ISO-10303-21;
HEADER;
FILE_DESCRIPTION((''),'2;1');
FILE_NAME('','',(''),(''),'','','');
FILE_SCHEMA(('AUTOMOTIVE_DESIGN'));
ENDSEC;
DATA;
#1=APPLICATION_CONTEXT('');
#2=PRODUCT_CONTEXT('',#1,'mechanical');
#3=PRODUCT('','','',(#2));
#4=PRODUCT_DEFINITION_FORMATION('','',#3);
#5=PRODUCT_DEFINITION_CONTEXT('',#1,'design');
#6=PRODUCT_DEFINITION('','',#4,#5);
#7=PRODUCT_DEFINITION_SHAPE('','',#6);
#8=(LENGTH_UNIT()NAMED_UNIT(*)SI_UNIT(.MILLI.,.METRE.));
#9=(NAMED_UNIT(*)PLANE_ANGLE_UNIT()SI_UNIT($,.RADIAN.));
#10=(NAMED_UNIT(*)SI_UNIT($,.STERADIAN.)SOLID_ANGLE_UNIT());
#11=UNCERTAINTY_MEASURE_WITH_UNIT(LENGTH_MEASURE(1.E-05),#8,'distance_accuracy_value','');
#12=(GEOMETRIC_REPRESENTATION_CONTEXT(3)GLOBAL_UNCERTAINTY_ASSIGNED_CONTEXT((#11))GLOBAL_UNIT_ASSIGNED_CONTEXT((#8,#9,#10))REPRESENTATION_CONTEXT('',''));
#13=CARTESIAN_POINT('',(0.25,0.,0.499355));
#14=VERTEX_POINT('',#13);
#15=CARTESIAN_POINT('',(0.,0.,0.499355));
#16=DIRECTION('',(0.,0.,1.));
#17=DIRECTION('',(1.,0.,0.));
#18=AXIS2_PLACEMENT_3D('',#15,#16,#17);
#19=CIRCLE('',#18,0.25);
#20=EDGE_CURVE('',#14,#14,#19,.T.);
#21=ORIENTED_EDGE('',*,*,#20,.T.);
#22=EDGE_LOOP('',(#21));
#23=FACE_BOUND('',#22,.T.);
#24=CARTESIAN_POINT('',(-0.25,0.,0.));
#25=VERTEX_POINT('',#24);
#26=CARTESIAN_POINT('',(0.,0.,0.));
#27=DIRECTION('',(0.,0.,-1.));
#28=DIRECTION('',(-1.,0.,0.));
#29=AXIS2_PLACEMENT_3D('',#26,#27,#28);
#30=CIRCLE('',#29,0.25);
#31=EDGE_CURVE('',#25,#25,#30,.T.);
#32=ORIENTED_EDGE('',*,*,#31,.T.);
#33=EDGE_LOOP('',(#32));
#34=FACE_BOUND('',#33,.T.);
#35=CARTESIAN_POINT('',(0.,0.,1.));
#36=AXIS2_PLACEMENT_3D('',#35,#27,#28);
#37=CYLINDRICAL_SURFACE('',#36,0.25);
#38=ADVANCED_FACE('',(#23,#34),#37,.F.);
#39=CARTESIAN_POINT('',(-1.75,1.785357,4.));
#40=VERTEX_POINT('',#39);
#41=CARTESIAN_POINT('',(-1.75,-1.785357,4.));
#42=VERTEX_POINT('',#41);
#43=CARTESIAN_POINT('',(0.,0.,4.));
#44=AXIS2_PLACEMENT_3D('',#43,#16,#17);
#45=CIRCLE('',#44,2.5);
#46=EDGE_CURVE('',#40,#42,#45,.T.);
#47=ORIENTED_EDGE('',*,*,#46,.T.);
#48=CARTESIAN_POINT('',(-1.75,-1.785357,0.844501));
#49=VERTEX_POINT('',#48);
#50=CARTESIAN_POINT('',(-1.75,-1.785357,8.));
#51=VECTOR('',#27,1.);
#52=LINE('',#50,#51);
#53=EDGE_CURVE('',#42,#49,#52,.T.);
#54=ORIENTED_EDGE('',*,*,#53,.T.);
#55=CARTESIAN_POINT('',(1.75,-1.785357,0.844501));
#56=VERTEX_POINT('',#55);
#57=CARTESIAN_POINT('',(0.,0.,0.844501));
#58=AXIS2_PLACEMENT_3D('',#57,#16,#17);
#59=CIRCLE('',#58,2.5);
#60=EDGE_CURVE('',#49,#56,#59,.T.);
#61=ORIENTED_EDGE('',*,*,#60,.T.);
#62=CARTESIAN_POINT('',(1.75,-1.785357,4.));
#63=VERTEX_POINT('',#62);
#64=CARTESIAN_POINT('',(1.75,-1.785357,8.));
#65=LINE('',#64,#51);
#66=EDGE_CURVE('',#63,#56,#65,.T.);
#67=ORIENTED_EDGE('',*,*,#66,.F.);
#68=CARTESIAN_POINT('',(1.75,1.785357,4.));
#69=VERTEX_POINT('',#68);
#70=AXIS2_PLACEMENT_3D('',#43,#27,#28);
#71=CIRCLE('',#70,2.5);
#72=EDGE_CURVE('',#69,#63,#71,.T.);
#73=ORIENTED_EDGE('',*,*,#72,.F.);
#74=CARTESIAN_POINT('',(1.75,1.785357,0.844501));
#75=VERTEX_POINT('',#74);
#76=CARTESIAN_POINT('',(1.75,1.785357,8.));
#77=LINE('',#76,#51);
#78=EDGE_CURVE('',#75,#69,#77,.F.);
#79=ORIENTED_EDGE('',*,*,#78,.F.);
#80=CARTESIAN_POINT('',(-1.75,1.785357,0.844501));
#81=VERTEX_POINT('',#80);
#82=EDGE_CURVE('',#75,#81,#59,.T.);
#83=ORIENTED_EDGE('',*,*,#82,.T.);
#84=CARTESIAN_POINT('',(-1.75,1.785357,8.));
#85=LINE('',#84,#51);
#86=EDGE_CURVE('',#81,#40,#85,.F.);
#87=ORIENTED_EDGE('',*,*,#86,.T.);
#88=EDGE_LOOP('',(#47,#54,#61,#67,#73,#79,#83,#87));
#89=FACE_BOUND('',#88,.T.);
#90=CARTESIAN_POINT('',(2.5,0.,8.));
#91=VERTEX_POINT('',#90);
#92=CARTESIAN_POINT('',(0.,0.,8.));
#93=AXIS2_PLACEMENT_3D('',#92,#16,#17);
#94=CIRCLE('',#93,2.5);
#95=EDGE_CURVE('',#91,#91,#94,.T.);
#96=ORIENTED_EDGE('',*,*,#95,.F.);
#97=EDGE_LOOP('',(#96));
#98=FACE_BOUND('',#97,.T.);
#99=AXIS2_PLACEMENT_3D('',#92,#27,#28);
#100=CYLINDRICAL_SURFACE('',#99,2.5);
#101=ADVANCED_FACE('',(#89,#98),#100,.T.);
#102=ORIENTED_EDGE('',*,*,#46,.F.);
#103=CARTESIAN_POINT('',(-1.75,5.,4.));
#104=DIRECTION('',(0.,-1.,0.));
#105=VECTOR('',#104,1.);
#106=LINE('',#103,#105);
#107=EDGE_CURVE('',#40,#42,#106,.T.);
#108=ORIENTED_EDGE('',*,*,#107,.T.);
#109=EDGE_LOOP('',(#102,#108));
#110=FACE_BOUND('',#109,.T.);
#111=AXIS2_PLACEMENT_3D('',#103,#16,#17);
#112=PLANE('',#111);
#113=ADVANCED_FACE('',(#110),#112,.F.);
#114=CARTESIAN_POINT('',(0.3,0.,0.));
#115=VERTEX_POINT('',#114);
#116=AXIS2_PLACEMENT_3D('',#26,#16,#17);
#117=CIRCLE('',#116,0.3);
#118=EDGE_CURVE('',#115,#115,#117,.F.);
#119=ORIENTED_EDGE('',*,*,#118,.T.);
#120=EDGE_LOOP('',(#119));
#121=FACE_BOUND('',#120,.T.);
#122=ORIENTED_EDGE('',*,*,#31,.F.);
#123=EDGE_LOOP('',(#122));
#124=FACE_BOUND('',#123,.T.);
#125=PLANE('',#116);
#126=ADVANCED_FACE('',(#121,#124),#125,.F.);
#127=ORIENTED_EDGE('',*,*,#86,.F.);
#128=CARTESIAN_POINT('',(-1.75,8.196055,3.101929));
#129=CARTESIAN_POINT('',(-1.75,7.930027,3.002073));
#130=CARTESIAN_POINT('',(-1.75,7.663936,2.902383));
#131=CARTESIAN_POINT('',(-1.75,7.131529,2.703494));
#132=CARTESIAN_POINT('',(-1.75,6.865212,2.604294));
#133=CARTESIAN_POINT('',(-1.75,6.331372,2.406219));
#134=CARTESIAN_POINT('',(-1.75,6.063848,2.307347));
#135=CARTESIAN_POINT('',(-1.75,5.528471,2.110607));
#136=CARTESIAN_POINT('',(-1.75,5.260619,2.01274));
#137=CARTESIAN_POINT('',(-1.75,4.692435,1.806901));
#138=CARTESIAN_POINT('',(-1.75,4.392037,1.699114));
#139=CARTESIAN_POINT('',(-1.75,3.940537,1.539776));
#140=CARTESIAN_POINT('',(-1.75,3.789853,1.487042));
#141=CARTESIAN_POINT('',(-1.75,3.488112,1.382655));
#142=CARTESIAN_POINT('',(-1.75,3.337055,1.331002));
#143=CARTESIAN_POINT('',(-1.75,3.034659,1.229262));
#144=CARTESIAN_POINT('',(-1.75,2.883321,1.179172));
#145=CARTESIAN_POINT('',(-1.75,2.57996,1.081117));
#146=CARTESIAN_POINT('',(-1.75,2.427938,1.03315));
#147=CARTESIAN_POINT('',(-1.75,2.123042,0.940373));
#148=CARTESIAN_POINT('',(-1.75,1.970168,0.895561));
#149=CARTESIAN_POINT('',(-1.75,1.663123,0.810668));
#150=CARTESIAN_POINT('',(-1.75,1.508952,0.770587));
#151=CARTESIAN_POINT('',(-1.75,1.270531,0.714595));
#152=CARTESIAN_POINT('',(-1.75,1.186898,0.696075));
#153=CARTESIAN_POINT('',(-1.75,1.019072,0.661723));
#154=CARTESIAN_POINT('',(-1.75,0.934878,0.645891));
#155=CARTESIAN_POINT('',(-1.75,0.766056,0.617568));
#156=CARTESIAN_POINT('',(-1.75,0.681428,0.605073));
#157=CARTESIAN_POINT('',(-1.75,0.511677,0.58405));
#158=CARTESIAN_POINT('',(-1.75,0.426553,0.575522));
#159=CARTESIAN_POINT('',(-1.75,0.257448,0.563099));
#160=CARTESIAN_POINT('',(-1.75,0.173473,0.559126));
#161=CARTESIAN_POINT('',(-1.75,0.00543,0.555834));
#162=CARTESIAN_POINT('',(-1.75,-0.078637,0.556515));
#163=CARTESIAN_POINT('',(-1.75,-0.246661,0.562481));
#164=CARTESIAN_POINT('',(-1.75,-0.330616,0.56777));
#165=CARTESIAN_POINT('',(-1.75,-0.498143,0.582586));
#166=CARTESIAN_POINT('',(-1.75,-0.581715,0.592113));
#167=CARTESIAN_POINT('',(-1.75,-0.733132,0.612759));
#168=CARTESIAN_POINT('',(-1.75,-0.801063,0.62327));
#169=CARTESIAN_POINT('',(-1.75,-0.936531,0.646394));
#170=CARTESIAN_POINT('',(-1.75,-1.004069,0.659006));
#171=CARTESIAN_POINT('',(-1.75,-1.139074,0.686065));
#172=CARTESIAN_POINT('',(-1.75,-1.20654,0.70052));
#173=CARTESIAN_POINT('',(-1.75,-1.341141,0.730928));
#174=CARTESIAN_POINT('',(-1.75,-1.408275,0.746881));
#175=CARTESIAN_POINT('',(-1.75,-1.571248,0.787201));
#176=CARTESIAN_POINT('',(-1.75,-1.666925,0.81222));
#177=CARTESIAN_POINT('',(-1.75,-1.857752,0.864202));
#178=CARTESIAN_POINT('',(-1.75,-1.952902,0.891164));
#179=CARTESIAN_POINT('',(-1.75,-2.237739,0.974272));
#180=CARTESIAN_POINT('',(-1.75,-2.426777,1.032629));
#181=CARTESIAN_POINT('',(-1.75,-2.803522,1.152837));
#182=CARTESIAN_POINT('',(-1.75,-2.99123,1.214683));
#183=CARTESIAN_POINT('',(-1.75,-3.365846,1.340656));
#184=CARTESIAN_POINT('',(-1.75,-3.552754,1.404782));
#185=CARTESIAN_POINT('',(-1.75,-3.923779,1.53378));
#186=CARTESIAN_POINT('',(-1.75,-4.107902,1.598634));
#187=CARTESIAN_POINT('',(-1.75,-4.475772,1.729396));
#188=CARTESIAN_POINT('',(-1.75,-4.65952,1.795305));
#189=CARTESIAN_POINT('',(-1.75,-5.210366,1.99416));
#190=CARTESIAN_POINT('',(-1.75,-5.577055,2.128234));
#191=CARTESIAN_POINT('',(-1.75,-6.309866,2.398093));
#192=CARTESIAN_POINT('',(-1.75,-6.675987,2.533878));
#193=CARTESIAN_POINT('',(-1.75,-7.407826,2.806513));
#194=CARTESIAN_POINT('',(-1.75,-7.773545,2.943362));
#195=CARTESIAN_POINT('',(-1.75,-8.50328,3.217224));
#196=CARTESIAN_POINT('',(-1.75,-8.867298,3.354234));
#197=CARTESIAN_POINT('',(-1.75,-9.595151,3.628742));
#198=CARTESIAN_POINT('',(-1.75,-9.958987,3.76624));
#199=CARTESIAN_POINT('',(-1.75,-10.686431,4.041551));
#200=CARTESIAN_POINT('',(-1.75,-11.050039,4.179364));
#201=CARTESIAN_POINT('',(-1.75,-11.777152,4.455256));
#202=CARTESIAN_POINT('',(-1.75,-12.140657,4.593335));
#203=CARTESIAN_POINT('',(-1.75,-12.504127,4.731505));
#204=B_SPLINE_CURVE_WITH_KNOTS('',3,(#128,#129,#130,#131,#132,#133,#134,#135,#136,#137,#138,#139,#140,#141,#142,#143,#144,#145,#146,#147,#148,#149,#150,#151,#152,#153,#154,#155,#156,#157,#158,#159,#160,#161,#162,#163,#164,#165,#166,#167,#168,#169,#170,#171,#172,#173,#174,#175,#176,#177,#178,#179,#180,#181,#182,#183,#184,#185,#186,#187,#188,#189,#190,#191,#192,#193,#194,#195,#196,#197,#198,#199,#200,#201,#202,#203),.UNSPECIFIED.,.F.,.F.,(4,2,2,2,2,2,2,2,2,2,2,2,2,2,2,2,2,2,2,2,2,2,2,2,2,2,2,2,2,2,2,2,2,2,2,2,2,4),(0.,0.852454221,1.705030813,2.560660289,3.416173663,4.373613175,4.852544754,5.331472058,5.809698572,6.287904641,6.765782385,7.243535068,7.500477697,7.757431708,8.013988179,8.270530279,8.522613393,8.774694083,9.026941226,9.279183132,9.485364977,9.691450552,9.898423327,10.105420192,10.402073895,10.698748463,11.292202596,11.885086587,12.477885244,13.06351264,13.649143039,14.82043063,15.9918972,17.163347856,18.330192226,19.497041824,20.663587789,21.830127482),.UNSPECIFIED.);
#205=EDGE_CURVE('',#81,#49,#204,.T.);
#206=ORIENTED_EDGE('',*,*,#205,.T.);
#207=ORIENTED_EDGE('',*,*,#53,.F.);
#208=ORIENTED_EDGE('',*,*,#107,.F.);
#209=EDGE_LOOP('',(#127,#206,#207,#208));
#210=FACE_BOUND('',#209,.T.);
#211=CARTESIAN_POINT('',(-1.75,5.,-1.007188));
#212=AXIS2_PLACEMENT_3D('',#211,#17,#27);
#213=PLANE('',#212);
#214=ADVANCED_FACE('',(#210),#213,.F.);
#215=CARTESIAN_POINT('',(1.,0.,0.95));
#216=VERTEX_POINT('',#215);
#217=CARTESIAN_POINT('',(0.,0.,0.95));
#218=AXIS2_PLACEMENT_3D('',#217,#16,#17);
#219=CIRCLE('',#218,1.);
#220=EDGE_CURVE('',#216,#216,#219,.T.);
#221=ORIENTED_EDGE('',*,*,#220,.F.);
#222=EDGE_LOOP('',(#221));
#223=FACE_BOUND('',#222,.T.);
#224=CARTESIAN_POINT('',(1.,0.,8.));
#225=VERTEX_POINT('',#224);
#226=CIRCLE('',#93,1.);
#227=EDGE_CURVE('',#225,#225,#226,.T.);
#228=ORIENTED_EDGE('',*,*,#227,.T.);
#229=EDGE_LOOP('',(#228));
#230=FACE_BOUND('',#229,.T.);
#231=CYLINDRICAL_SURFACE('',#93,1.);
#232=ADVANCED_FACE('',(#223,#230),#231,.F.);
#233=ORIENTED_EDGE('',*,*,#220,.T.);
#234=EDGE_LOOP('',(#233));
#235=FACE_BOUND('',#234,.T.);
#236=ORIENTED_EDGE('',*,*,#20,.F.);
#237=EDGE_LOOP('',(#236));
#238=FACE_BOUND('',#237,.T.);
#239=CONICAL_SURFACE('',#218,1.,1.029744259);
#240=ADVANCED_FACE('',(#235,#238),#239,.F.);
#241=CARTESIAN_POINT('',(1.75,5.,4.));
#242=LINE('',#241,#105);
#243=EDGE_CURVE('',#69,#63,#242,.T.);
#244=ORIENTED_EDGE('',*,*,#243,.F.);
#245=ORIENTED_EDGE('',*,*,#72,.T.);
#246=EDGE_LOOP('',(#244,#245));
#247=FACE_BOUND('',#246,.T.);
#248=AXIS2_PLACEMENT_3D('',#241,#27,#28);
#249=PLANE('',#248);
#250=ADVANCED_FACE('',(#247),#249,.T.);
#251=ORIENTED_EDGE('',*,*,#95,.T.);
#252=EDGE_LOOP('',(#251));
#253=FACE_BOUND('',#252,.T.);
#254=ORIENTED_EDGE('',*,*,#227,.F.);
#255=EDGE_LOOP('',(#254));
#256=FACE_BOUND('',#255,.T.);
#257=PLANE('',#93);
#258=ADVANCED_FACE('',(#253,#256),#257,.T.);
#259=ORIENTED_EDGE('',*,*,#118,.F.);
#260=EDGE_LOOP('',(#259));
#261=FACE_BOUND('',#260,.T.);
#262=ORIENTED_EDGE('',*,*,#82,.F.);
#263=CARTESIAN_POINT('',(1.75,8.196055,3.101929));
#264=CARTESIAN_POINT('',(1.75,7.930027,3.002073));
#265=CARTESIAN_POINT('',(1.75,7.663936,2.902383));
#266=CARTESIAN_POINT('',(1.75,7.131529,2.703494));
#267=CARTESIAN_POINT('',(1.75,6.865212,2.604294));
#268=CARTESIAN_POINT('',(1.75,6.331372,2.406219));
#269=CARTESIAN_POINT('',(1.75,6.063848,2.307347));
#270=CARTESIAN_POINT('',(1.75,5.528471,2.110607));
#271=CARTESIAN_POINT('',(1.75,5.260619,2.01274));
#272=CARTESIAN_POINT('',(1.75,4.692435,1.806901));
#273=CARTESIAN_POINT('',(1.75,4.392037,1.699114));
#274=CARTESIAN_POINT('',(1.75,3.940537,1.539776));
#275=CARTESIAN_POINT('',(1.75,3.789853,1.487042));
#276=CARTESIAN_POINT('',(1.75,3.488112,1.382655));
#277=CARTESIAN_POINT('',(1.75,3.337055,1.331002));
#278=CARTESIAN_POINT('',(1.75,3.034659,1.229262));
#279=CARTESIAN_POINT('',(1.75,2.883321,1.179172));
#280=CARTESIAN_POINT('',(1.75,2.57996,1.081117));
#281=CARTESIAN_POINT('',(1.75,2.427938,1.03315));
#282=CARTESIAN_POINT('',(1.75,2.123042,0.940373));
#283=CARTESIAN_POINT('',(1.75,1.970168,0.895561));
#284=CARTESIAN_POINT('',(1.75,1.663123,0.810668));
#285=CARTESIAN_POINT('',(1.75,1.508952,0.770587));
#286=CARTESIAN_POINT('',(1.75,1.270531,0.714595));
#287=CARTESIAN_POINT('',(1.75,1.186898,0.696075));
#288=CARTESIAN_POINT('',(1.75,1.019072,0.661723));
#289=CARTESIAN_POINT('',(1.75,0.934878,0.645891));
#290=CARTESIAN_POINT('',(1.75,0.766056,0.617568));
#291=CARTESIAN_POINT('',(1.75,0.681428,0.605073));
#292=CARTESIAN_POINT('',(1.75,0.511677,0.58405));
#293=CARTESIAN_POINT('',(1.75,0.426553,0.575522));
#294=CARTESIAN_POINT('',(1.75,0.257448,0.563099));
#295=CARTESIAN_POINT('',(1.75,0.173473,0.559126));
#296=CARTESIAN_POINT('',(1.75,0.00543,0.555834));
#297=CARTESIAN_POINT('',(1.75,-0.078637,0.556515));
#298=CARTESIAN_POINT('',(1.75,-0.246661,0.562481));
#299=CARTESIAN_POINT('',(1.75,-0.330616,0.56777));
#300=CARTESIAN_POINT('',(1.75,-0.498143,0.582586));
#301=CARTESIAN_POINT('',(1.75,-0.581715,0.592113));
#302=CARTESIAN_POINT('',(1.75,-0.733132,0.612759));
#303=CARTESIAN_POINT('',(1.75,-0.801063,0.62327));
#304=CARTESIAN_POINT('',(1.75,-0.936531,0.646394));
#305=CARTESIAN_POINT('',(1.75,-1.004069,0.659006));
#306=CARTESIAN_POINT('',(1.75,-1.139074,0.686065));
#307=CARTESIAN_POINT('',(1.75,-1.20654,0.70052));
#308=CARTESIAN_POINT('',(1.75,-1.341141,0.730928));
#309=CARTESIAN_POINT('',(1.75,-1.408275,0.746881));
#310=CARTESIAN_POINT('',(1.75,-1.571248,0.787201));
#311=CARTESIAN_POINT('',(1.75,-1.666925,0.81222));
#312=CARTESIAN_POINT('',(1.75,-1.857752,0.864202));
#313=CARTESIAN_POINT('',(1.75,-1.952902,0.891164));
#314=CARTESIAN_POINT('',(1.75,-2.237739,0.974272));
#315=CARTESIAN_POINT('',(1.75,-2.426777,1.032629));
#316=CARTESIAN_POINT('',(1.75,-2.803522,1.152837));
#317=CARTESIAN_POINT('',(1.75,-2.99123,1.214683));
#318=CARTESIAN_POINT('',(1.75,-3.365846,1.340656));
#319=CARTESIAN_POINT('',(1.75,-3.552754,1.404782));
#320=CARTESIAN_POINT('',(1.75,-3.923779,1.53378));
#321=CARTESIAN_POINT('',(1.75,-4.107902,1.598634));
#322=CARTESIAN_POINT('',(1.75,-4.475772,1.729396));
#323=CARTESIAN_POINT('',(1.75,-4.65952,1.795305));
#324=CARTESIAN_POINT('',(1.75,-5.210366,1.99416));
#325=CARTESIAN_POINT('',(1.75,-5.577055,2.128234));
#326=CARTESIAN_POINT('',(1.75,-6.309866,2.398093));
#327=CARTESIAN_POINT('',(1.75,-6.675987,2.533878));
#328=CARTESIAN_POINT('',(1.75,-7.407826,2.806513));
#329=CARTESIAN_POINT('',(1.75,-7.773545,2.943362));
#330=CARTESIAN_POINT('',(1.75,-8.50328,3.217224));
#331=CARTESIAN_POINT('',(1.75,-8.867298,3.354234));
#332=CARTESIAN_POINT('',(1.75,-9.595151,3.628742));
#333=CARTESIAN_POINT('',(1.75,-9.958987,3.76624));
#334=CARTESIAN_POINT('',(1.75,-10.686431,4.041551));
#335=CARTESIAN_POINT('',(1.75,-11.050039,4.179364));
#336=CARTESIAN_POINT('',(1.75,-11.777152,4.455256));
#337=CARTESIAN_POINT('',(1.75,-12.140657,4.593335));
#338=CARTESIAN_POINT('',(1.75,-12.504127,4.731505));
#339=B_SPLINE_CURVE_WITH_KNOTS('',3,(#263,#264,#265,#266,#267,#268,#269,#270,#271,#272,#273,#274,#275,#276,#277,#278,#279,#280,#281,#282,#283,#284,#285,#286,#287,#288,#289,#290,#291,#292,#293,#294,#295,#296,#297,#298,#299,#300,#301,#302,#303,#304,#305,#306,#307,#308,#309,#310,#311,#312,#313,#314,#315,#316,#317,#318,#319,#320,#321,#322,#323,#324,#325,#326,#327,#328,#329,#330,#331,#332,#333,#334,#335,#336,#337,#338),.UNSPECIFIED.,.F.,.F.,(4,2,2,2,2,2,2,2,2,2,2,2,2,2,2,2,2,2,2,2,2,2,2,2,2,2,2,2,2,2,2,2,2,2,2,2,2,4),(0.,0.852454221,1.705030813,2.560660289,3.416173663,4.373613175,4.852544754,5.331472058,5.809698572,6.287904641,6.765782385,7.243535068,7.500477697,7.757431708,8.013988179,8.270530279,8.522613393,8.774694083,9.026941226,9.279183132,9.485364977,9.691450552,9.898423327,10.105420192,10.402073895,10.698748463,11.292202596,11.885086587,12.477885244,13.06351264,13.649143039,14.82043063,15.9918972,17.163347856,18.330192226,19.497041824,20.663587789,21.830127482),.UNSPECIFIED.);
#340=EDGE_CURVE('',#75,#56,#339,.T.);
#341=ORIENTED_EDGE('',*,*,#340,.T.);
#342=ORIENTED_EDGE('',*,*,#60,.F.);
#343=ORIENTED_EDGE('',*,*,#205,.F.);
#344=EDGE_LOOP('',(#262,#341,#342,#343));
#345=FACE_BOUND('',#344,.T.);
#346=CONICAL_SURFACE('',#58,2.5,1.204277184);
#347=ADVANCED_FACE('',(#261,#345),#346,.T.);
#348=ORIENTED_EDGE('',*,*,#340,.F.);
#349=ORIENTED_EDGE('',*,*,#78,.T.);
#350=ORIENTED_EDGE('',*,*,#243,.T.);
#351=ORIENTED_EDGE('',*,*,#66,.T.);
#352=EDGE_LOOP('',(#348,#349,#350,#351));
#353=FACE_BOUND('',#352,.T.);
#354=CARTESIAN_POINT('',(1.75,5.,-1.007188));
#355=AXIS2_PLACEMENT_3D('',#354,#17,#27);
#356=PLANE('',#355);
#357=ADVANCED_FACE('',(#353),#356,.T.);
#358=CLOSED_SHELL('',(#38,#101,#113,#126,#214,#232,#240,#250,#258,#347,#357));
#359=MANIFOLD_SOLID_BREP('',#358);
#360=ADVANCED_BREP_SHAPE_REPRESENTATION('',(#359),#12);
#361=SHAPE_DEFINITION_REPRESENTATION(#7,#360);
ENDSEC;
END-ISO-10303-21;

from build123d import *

# Parameters (mm, degrees)
SKETCH1_R                    = 2.5
BOSS_EXTRUDE1_DEPTH          = 8
SKETCH6_R                    = 0.25
CUT_EXTRUDE1_DEPTH           = 1
CHAMFER1_SIZE                = 2.2
CHAMFER1_SIZE2               = 0.844500877
SKETCH7_W                    = 1.688266385
SKETCH7_H                    = 5.007188161
CUT_EXTRUDE2_DEPTH           = 5
F_2_0_2_DIAMETER_HOLE1_D     = 2
F_2_0_2_DIAMETER_HOLE1_DEPTH = 7.05
F_2_0_2_DIAMETER_HOLE1_TIP   = 0.600860619


with BuildPart() as part:
    # Sketch1 → Boss-Extrude1 (new body)
    with BuildSketch(Plane.XY):
        Circle(SKETCH1_R)
    extrude(amount=BOSS_EXTRUDE1_DEPTH)

    # Sketch6 → Cut-Extrude1 (cut)
    with BuildSketch(Plane(origin=(0, 0, 0), x_dir=(-1, 0, 0), z_dir=(0, 0, -1))):
        Circle(SKETCH6_R)
    extrude(amount=-CUT_EXTRUDE1_DEPTH, mode=Mode.SUBTRACT)

    # Chamfer1
    chamfer1_edges = [part.edges().sort_by_distance(p)[0] for p in [
        (-2.5, 0, 0),
    ]]
    chamfer1_side = [part.faces().sort_by_distance(p)[0] for p in [
        (-2.429289322, 0, 0),
    ]]
    chamfer(chamfer1_edges, length=CHAMFER1_SIZE, length2=CHAMFER1_SIZE2, reference=chamfer1_side[0])

    # Sketch7 → Cut-Extrude2 (cut, symmetric)
    with BuildSketch(Plane(origin=(0, 0, 0), x_dir=(1, 0, 0), z_dir=(0, 1, 0))):
        with Locations((2.594133193, -1.496405919)):
            Rectangle(SKETCH7_W, SKETCH7_H)
    cut_extrude2 = extrude(amount=CUT_EXTRUDE2_DEPTH, both=True, mode=Mode.SUBTRACT)

    # Mirror1: Cut-Extrude2 across plane
    add(cut_extrude2.mirror(Plane(origin=(0, 0, 0), x_dir=(0, 0, 1), z_dir=(1, 0, 0))), mode=Mode.SUBTRACT)

    # Ø2.0 (2) Diameter Hole1
    with Locations(Plane.XY.offset(8)):
        with Locations((0, 0)):
            Hole(F_2_0_2_DIAMETER_HOLE1_D / 2, depth=F_2_0_2_DIAMETER_HOLE1_DEPTH)
            with Locations((0, 0, -(F_2_0_2_DIAMETER_HOLE1_DEPTH + F_2_0_2_DIAMETER_HOLE1_TIP / 2))):  # 118° drill point
                Cone(0, F_2_0_2_DIAMETER_HOLE1_D / 2, F_2_0_2_DIAMETER_HOLE1_TIP, mode=Mode.SUBTRACT)


solid = part.part
